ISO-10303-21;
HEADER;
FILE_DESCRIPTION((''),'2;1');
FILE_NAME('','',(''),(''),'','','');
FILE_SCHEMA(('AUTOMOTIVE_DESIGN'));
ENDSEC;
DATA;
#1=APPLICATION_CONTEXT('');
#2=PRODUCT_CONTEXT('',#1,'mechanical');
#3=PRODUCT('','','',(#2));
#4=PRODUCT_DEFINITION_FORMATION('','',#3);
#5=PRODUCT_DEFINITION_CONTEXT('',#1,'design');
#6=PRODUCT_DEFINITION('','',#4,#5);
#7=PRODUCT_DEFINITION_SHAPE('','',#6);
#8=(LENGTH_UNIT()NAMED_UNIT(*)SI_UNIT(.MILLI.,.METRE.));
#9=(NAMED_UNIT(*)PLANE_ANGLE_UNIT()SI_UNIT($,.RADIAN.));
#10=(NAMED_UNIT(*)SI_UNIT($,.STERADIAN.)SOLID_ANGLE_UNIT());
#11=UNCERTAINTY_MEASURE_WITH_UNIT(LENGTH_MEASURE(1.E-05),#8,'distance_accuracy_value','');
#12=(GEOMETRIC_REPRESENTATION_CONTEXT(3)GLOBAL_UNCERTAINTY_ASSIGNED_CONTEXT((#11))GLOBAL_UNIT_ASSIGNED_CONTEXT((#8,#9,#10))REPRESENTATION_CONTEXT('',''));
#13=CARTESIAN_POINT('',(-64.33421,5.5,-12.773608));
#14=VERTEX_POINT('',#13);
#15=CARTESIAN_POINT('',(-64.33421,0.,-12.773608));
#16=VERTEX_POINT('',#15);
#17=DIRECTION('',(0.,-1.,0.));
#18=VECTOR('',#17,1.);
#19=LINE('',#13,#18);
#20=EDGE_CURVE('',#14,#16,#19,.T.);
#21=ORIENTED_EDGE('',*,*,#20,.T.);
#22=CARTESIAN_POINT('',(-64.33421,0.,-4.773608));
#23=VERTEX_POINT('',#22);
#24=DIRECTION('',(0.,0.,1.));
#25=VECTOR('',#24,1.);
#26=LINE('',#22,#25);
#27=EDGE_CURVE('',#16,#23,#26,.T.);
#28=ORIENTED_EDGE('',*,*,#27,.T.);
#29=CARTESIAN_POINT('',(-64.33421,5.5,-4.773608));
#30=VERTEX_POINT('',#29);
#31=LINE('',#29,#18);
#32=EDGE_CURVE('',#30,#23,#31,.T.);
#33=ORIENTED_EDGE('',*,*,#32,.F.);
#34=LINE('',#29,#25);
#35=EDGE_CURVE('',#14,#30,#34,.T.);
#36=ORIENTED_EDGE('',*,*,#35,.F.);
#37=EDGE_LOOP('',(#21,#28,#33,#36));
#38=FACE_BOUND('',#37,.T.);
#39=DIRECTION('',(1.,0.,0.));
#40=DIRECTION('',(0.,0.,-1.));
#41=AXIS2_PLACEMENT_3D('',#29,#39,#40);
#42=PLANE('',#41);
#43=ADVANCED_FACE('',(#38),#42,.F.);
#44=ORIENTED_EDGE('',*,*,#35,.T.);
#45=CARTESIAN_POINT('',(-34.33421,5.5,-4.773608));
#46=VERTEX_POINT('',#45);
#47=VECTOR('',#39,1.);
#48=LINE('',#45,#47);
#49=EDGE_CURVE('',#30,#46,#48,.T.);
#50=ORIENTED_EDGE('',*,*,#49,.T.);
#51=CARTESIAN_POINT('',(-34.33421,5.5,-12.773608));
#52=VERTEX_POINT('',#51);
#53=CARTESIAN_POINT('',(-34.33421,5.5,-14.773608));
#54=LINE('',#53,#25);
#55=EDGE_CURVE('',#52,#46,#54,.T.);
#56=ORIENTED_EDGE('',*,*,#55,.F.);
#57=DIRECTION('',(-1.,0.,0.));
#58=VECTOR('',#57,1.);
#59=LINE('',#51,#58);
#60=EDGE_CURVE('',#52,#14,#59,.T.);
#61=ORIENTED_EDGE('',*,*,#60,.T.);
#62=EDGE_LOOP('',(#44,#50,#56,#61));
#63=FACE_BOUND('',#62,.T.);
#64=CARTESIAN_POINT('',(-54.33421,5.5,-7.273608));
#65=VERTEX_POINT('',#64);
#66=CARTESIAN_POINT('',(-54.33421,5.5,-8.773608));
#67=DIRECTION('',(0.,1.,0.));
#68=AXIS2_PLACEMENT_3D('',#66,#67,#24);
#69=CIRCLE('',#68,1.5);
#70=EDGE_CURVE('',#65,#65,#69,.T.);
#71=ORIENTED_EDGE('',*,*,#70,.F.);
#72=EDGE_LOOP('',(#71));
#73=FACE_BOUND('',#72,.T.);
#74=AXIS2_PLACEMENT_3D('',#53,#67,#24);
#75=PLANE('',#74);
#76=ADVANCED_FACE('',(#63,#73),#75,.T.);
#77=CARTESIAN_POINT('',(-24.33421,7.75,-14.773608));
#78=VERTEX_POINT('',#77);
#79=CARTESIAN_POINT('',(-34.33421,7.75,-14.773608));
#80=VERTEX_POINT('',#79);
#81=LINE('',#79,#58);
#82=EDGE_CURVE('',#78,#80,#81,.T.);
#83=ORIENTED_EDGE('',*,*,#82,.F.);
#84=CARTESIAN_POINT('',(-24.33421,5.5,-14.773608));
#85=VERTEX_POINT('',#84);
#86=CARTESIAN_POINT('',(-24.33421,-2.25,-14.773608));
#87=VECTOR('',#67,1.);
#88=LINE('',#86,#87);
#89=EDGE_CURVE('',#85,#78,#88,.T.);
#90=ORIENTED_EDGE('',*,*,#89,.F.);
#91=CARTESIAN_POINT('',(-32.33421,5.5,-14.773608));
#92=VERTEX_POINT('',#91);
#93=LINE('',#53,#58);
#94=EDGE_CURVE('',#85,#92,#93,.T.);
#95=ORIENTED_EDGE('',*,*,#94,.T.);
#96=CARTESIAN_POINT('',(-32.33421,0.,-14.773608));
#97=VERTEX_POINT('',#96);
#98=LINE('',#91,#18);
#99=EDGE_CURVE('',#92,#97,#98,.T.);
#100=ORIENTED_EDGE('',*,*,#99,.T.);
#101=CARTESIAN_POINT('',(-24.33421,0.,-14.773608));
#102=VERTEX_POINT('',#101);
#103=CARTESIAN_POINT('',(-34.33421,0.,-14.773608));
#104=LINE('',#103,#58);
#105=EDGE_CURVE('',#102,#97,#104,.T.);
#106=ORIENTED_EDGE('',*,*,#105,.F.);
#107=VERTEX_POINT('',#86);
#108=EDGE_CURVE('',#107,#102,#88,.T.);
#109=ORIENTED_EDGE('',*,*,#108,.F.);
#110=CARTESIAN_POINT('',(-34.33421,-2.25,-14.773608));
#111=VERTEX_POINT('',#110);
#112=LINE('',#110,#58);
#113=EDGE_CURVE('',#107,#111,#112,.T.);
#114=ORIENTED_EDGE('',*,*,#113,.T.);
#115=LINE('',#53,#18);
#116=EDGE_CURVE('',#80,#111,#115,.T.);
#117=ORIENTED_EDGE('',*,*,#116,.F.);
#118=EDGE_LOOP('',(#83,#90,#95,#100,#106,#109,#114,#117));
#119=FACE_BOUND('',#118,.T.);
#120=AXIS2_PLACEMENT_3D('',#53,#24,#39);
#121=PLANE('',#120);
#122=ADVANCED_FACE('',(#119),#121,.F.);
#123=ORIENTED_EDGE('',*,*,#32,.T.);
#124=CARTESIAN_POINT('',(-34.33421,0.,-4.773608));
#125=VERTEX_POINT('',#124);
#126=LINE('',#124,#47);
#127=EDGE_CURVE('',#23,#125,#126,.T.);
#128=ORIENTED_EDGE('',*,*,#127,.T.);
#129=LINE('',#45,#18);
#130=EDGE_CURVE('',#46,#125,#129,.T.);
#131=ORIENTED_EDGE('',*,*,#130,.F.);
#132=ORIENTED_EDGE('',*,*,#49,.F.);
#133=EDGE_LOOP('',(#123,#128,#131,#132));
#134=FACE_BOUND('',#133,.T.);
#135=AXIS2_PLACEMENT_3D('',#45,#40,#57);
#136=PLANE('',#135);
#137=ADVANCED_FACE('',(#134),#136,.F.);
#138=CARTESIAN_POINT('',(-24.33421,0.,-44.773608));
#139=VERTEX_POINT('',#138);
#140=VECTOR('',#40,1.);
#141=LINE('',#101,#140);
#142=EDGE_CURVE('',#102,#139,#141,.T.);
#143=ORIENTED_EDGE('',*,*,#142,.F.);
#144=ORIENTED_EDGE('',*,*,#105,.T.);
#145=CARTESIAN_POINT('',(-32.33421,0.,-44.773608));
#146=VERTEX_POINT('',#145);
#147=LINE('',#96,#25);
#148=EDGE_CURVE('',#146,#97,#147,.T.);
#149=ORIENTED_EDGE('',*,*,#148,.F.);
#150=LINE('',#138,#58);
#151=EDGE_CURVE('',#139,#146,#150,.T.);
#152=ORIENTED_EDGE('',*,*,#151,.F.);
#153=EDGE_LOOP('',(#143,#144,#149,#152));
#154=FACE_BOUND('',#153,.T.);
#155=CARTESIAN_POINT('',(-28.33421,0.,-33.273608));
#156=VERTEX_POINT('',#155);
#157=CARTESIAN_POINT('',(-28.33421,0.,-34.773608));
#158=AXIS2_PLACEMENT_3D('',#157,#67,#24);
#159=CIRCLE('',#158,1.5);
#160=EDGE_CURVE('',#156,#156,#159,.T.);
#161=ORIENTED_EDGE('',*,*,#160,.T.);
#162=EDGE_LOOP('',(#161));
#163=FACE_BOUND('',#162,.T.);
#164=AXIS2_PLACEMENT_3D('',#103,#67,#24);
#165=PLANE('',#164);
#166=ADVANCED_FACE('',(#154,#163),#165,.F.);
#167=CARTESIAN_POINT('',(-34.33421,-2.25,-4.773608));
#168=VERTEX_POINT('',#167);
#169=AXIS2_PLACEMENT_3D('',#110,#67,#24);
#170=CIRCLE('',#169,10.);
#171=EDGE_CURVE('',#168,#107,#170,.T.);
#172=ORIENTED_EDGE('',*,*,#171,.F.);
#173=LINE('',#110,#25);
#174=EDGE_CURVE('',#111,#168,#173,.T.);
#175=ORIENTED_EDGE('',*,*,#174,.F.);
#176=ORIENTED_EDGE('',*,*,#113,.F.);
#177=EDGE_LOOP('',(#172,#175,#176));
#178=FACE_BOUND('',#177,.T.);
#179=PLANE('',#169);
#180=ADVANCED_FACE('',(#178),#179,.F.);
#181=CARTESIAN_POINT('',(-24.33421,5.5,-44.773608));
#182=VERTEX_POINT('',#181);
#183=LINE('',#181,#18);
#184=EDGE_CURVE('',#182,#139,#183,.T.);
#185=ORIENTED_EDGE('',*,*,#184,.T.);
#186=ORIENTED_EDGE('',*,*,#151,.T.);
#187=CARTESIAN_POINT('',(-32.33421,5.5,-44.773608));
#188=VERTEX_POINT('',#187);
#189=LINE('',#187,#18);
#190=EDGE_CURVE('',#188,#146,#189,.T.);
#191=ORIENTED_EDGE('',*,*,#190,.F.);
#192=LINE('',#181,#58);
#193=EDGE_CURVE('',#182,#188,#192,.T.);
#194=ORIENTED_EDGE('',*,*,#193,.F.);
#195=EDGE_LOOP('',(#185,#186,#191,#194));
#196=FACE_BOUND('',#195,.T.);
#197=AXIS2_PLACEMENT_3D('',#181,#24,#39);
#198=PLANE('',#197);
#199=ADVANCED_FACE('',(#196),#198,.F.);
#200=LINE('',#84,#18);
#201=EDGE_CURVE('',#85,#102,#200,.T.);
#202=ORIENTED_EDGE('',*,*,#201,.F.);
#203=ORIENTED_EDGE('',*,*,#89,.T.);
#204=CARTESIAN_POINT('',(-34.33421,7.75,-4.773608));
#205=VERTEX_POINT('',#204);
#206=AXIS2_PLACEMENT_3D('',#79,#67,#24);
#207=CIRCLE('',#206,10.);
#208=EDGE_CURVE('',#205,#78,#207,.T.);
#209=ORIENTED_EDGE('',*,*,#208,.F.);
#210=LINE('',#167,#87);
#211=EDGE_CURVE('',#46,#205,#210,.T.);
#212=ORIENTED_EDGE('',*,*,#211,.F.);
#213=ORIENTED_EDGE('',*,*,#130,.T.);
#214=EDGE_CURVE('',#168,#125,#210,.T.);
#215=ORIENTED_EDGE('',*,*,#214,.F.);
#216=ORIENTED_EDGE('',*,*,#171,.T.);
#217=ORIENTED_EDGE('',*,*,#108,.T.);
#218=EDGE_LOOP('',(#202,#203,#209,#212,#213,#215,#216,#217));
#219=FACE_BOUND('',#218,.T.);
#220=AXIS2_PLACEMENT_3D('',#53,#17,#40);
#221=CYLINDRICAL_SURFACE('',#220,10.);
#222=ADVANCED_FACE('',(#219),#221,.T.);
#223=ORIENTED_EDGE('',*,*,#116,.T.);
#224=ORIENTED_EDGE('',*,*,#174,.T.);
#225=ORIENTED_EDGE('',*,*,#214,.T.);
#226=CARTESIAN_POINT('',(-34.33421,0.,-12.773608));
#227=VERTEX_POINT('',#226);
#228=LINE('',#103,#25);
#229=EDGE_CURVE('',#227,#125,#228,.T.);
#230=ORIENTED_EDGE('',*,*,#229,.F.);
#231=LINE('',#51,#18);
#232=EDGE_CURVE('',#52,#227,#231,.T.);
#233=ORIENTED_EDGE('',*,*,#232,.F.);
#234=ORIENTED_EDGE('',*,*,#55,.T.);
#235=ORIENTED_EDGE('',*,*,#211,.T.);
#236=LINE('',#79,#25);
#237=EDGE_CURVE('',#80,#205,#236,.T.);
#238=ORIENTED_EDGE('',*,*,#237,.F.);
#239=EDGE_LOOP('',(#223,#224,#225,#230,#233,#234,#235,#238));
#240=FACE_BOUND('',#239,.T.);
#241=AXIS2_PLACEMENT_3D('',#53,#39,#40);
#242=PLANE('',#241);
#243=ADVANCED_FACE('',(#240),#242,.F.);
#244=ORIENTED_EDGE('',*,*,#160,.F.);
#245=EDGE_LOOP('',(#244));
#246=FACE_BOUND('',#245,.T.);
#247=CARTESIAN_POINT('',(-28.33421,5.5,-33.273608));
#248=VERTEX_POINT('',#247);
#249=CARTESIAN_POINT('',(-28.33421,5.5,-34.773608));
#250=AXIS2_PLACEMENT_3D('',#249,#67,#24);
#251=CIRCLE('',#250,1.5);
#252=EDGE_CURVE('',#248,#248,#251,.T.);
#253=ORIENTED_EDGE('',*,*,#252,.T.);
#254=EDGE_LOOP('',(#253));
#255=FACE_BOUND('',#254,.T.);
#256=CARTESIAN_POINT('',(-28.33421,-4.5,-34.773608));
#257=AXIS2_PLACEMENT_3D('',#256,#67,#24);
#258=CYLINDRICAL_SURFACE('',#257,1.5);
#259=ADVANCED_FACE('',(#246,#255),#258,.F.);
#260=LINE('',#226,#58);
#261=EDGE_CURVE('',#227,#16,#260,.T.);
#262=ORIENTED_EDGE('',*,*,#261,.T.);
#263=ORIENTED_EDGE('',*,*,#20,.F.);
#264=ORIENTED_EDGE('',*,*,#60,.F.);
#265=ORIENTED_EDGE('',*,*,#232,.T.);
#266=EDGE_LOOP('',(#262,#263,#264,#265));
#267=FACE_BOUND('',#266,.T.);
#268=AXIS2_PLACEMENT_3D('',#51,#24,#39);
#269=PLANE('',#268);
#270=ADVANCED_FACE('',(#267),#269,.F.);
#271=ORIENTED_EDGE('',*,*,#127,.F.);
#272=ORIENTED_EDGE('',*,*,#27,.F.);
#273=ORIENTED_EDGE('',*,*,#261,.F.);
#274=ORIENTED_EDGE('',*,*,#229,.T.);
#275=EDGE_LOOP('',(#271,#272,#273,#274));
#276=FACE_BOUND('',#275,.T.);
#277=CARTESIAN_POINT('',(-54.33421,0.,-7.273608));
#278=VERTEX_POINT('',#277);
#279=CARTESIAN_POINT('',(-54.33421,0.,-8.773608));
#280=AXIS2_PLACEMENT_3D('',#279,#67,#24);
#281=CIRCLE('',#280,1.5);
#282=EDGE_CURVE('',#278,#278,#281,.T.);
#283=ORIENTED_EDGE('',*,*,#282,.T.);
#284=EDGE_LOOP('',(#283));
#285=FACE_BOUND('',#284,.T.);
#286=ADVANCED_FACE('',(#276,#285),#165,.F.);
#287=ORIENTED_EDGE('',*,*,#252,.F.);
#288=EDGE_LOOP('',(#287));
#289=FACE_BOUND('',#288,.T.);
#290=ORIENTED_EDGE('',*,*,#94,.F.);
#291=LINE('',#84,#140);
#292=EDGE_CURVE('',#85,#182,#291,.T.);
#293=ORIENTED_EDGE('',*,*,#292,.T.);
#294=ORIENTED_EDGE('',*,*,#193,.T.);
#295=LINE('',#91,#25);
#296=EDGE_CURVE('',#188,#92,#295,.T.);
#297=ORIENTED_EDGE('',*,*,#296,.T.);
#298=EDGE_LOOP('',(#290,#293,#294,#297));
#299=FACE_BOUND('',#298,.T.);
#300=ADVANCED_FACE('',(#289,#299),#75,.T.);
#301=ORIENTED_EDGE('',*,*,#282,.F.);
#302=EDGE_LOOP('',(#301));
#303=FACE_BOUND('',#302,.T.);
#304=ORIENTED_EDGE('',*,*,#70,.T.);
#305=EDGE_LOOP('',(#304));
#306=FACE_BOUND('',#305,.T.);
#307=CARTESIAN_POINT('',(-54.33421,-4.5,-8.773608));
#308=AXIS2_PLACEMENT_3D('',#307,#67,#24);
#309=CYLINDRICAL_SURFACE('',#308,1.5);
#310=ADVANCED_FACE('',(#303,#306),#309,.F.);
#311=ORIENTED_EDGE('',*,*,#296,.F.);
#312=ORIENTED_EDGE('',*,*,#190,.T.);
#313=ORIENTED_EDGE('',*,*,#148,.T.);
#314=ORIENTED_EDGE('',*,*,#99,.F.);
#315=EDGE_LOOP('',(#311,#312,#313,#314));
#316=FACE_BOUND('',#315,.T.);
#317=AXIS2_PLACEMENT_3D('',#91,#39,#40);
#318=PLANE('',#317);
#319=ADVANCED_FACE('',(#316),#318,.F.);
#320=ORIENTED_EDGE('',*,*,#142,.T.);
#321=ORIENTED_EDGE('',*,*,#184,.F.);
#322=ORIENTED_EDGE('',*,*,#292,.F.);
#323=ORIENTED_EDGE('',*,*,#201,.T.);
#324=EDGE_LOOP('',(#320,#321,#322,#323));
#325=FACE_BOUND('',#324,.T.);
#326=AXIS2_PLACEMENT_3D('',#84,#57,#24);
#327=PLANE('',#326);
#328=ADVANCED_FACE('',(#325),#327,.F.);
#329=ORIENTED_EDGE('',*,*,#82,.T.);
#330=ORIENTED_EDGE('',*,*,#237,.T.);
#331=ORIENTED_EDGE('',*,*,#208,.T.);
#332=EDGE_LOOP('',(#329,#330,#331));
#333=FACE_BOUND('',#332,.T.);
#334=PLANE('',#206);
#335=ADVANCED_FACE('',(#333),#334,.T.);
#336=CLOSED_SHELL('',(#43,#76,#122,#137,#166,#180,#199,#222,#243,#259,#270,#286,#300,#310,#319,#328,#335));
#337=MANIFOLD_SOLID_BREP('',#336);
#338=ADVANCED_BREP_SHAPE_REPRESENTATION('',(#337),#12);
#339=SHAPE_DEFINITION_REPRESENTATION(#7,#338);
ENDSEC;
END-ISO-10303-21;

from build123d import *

# Parameters (mm, degrees)
EXTRUDE_5_DEPTH      = 5.5
EXTRUDE_7_DEPTH      = 2.25
EXTRUDE_7_DEPTH_BACK = 7.75
SKETCH_7_R           = 1.5
CUT_EXTRUDE_1_DEPTH  = 10


with BuildPart() as part:
    # 草图5 → 凸台-拉伸5 (new body)
    with BuildSketch(Plane(origin=(0, 0, 0), x_dir=(1, 0, 0), z_dir=(0, 1, 0))):
        with BuildLine():
            Line((-34.334210338, 14.7736082), (-32.334210338, 14.7736082))
            Line((-32.334210338, 14.7736082), (-32.334210338, 44.7736082))
            Line((-32.334210338, 44.7736082), (-24.334210338, 44.7736082))
            Line((-24.334210338, 44.7736082), (-24.334210338, 14.7736082))
            ThreePointArc((-24.334210338, 14.7736082), (-27.263142526, 7.702540389), (-34.334210338, 4.7736082))
            Line((-34.334210338, 4.7736082), (-64.334210338, 4.7736082))
            Line((-64.334210338, 4.7736082), (-64.334210338, 12.7736082))
            Line((-64.334210338, 12.7736082), (-34.334210338, 12.7736082))
            Line((-34.334210338, 12.7736082), (-34.334210338, 14.7736082))
        make_face()
    extrude(amount=EXTRUDE_5_DEPTH)

    # 草图6 → 凸台-拉伸7 (add, two sides: drawn at the far end of the back side and taken through both)
    with BuildSketch(Plane(origin=(0, 5.5, 0), x_dir=(1, 0, 0), z_dir=(0, 1, 0)).offset(-EXTRUDE_7_DEPTH_BACK)):
        with BuildLine():
            Line((-34.334210338, 14.7736082), (-24.334210338, 14.7736082))
            ThreePointArc((-24.334210338, 14.7736082), (-27.263142526, 7.702540389), (-34.334210338, 4.7736082))
            Line((-34.334210338, 4.7736082), (-34.334210338, 14.7736082))
        make_face()
    extrude(amount=EXTRUDE_7_DEPTH + EXTRUDE_7_DEPTH_BACK)

    # 草图7 → 切除-拉伸1 (cut)
    with BuildSketch(Plane(origin=(0, 5.5, 0), x_dir=(1, 0, 0), z_dir=(0, 1, 0))):
        with Locations(Location((-54.334210338, 8.7736082, 0), (0, 0, 270))):
            Circle(SKETCH_7_R)
        with Locations(Location((-28.334210338, 34.7736082, 0), (0, 0, 270))):
            Circle(SKETCH_7_R)
    extrude(amount=-CUT_EXTRUDE_1_DEPTH, mode=Mode.SUBTRACT)


solid = part.part
